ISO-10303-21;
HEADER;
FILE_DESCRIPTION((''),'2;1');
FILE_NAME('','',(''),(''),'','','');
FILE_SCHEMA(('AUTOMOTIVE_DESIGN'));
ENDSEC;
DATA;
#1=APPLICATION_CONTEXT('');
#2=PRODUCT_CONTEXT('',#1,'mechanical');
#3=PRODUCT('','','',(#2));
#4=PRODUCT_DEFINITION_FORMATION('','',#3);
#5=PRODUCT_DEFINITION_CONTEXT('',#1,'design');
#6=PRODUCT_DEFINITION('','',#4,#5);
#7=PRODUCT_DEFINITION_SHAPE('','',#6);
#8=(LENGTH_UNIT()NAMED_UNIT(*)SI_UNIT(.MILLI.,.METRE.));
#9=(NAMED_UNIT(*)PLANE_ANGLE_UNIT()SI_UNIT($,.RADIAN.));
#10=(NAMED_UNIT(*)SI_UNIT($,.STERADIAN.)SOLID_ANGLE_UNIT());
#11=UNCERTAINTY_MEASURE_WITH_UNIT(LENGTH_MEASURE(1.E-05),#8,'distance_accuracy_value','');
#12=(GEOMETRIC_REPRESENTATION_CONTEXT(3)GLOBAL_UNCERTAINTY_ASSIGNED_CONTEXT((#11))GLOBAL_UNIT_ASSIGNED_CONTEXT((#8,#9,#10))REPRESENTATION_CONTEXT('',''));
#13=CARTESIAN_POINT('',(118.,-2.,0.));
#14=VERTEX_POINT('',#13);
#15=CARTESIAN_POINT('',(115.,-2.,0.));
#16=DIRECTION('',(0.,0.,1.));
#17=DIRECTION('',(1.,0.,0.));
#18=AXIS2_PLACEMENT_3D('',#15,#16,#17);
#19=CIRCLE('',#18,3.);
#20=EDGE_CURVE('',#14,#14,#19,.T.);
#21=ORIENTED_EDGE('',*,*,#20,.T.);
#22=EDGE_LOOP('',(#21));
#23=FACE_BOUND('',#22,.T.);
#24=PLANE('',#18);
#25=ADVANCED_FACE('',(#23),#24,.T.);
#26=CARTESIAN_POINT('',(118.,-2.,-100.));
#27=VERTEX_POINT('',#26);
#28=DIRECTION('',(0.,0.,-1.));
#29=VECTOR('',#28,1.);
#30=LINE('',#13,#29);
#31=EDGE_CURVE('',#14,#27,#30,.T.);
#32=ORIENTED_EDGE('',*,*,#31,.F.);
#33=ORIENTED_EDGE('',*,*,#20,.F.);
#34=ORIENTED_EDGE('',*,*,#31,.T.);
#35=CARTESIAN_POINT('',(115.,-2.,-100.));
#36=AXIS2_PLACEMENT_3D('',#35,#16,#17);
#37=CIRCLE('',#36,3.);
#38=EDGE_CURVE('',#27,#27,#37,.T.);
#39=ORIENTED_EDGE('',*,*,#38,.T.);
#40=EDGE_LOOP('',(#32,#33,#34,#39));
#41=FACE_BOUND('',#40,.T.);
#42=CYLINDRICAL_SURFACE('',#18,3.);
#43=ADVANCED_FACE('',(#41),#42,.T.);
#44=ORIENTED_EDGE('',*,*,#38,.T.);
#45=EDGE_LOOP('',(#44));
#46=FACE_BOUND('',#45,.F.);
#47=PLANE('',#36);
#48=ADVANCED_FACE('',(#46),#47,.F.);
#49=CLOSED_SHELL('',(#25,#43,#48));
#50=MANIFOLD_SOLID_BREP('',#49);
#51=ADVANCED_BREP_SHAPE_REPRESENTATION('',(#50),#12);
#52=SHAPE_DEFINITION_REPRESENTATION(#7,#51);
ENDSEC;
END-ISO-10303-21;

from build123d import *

# Parameters (mm, degrees)
SCHIZZO1_R                   = 3
ESTRUSIONE_ESTRUSIONE1_DEPTH = 100


with BuildPart() as part:
    # Schizzo1 → Estrusione-Estrusione1 (new body)
    with BuildSketch(Plane.XY):
        with Locations((115, -2)):
            Circle(SCHIZZO1_R)
    extrude(amount=-ESTRUSIONE_ESTRUSIONE1_DEPTH)


solid = part.part
